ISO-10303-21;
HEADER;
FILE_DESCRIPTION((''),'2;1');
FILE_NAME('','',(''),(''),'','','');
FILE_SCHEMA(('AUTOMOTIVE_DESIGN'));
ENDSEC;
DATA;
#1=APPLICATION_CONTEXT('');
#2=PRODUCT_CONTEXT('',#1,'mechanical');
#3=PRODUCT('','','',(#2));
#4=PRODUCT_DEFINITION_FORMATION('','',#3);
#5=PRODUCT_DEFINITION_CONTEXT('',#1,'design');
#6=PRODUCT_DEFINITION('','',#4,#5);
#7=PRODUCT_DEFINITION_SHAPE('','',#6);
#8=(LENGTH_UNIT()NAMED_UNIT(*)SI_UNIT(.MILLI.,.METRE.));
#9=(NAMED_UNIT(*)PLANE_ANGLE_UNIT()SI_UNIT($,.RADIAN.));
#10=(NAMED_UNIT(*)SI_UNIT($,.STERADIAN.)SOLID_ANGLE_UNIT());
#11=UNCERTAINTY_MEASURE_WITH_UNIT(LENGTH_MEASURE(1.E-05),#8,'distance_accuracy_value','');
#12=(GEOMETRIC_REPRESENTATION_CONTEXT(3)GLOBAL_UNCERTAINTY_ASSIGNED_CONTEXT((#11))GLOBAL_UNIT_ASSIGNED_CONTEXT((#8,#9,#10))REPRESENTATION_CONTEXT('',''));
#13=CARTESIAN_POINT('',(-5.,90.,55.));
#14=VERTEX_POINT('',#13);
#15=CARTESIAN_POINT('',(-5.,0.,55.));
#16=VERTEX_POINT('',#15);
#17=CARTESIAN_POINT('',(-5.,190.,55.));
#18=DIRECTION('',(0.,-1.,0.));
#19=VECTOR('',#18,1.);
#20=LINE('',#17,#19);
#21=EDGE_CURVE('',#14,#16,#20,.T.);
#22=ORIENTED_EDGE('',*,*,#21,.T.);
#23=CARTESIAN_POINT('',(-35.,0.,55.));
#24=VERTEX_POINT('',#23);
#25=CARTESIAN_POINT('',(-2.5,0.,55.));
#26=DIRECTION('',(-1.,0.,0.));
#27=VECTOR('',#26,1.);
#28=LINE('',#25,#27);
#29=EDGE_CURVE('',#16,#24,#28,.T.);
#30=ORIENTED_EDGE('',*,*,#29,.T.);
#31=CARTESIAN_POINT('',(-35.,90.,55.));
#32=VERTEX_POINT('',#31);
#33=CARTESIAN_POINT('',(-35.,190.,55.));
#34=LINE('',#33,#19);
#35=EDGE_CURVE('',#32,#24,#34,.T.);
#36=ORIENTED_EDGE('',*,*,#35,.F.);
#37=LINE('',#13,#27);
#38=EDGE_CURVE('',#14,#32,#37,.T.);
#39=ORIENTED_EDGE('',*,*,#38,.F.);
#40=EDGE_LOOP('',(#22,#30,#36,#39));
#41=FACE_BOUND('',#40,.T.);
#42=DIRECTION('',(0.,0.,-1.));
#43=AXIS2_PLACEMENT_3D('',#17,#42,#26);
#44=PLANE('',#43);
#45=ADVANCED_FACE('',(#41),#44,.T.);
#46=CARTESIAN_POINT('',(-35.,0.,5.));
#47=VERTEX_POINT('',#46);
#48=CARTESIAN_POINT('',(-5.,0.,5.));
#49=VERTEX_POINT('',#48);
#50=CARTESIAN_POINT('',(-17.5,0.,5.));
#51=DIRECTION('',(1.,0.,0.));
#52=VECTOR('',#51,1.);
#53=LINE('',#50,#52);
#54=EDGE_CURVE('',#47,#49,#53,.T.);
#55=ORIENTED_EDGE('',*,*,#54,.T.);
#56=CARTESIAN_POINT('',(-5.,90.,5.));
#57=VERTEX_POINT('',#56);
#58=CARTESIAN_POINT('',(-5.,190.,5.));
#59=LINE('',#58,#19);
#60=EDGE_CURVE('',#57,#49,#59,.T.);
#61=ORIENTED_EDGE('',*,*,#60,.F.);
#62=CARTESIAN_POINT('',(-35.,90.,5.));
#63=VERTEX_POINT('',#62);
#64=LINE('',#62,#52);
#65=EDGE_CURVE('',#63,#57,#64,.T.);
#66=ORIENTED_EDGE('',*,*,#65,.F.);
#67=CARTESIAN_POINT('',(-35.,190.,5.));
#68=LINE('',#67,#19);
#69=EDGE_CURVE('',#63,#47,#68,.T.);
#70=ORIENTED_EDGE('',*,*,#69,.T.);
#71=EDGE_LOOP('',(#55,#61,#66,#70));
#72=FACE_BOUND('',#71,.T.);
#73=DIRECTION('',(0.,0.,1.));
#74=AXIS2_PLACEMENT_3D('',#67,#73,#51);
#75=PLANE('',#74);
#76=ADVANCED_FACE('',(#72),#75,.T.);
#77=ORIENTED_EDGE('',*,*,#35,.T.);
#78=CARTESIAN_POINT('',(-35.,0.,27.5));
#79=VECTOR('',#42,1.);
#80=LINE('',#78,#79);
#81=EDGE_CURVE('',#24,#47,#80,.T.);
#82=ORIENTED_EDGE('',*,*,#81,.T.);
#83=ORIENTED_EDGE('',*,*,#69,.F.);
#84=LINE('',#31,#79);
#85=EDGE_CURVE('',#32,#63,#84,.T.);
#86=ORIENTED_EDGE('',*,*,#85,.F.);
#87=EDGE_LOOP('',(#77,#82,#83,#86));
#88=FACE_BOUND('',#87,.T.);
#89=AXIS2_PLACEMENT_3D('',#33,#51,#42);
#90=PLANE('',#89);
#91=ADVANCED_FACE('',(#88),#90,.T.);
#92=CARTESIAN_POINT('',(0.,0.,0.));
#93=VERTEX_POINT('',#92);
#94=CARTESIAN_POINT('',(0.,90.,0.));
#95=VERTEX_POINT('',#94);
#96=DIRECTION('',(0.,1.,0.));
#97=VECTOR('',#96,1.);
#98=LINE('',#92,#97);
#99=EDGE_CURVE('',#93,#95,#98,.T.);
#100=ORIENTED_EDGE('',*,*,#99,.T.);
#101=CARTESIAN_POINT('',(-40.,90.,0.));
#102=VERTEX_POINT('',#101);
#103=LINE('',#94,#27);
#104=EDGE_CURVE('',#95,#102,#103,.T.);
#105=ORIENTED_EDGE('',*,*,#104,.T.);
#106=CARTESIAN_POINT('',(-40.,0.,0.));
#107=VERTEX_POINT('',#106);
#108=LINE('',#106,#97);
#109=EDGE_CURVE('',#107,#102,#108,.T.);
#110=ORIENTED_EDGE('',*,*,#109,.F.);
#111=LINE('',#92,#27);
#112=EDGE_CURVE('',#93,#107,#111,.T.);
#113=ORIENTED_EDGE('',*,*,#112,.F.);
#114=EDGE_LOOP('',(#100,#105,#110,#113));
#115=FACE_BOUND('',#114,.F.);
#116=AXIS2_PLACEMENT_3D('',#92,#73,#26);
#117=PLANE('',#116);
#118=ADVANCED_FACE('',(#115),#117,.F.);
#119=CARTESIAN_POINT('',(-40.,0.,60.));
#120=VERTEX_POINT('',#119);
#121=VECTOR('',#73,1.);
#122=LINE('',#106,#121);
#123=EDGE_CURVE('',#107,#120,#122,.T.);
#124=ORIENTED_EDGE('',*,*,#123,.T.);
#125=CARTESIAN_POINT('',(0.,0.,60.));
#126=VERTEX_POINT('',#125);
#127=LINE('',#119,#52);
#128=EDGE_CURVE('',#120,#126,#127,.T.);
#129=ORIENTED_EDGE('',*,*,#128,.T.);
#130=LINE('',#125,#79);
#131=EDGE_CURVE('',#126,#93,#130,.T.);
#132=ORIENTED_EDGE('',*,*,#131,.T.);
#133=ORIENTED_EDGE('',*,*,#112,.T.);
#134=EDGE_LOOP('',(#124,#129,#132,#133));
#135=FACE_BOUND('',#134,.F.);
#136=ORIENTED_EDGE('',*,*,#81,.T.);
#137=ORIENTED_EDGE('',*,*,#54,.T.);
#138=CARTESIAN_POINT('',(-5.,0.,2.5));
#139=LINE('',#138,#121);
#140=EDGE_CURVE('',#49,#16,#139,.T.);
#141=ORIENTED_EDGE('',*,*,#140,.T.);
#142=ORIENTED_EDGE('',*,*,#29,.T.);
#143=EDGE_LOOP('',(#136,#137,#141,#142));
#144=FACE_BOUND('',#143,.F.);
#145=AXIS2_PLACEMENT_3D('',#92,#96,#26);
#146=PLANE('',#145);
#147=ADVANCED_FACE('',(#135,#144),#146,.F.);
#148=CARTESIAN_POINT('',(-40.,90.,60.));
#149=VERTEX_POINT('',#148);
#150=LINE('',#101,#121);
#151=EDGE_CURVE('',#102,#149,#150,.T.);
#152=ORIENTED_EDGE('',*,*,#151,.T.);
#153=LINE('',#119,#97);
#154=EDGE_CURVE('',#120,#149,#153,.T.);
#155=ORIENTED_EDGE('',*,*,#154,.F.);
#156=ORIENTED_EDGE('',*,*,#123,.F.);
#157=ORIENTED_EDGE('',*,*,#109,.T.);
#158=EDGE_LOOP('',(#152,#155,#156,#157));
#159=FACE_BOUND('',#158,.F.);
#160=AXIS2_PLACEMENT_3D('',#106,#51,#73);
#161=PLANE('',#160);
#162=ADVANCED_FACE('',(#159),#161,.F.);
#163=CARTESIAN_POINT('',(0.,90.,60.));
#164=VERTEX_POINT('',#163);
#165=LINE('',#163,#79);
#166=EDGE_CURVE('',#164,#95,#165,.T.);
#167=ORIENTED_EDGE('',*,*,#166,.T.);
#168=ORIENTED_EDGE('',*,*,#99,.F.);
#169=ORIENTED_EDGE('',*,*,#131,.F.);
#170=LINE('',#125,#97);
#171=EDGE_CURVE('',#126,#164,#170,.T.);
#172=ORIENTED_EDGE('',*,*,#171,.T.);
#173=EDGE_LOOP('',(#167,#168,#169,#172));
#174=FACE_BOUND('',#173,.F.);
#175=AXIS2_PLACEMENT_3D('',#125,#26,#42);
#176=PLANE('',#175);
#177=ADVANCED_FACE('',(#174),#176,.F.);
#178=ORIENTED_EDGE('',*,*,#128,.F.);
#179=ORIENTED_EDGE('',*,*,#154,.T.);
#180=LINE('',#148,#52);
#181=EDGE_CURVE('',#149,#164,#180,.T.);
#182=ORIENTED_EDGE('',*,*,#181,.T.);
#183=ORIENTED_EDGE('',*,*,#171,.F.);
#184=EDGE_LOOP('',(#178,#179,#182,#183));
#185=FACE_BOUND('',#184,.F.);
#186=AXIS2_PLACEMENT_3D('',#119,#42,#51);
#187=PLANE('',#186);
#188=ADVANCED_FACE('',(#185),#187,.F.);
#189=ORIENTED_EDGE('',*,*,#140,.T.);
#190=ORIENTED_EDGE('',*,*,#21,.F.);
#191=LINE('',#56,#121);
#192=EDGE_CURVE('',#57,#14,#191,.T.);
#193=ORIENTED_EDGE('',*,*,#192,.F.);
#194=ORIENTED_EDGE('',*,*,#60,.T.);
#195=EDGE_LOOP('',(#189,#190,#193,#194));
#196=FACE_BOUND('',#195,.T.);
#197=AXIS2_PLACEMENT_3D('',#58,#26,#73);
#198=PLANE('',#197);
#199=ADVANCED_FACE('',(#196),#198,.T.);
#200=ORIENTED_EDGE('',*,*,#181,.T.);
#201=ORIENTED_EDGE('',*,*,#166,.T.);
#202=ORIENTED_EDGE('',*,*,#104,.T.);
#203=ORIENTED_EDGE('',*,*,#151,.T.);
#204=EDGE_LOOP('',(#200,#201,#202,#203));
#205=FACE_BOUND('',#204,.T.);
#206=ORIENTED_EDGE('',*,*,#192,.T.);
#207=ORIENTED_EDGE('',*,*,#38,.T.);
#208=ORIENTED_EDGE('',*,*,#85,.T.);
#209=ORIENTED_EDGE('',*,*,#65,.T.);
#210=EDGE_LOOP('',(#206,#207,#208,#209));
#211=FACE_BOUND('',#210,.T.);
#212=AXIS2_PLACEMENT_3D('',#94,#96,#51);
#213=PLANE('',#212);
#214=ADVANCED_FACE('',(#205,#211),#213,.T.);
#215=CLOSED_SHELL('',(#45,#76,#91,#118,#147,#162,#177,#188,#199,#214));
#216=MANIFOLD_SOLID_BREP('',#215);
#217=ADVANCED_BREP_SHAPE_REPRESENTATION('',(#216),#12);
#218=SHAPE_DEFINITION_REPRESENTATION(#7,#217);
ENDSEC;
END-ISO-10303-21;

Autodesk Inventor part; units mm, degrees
ref_plane "YZ Plane" through (0, 0, 0) normal (1, 0, 0) x (0, 1, 0)
ref_plane "XZ Plane" through (0, 0, 0) normal (0, 1, 0) x (-1, 0, 0)
ref_plane "XY Plane" through (0, 0, 0) normal (0, 0, 1) x (1, 0, 0)
sketch "Эскиз1" plane through (0, 0, 0) normal (0, 1, 0) x (-1, 0, 0)
  line L0 (0, 0) -> (40, 0)
  line L1 (40, 0) -> (40, 60)
  line L2 (40, 60) -> (0, 60)
  line L3 (0, 60) -> (0, 0)
  dimension "d0" = 60
  dimension "d1" = 40
extrude "Выдавливание1" add sketch "Эскиз1" along normal blind 190
sketch "Эскиз2" plane through (0, 190, 0) normal (0, 1, 0) x (1, 0, 0)
  line L0 (-35, -5) -> (-5, -5)
  line L1 (-5, -5) -> (-5, -55)
  line L2 (-5, -55) -> (-35, -55)
  line L3 (-35, -55) -> (-35, -5)
  line L4 (-40, 0) -> (-40, -60) projected
  line L5 (0, -60) -> (0, 0) projected
  line L6 (0, 0) -> (-40, 0) projected
  line L7 (-40, -60) -> (0, -60) projected
  dimension "d4" = 5
  dimension "d5" = 5
  dimension "d6" = 5
  dimension "d7" = 5
extrude "Выдавливание2" cut sketch "Эскиз2" against normal through all contours L0 L1 L2 L3
sketch "Эскиз3" plane through (-40, 0, 60) normal (0, 0, 1) x (1, 0, 0)
  point P0 (40, 0)
sketch "Эскиз5" plane through (0, 190, 0) normal (0, 1, 0) x (1, 0, 0)
  line L0 (-5, -5) -> (-5, -55) projected
  line L1 (-5, -55) -> (-35, -55) projected
  line L2 (-35, -55) -> (-35, -5) projected
  line L3 (-35, -5) -> (-5, -5) projected
  line L4 (-40, 0) -> (-40, -60) projected
  line L5 (-40, -60) -> (0, -60) projected
  line L6 (0, -60) -> (0, 0) projected
  line L7 (0, 0) -> (-40, 0) projected
extrude "Выдавливание4" cut sketch "Эскиз5" against normal blind 100
equation "\"d5\" = d4"
equation "\"d6\" = d4"
equation "\"d7\" = d4"
properties part number "БРУС"
